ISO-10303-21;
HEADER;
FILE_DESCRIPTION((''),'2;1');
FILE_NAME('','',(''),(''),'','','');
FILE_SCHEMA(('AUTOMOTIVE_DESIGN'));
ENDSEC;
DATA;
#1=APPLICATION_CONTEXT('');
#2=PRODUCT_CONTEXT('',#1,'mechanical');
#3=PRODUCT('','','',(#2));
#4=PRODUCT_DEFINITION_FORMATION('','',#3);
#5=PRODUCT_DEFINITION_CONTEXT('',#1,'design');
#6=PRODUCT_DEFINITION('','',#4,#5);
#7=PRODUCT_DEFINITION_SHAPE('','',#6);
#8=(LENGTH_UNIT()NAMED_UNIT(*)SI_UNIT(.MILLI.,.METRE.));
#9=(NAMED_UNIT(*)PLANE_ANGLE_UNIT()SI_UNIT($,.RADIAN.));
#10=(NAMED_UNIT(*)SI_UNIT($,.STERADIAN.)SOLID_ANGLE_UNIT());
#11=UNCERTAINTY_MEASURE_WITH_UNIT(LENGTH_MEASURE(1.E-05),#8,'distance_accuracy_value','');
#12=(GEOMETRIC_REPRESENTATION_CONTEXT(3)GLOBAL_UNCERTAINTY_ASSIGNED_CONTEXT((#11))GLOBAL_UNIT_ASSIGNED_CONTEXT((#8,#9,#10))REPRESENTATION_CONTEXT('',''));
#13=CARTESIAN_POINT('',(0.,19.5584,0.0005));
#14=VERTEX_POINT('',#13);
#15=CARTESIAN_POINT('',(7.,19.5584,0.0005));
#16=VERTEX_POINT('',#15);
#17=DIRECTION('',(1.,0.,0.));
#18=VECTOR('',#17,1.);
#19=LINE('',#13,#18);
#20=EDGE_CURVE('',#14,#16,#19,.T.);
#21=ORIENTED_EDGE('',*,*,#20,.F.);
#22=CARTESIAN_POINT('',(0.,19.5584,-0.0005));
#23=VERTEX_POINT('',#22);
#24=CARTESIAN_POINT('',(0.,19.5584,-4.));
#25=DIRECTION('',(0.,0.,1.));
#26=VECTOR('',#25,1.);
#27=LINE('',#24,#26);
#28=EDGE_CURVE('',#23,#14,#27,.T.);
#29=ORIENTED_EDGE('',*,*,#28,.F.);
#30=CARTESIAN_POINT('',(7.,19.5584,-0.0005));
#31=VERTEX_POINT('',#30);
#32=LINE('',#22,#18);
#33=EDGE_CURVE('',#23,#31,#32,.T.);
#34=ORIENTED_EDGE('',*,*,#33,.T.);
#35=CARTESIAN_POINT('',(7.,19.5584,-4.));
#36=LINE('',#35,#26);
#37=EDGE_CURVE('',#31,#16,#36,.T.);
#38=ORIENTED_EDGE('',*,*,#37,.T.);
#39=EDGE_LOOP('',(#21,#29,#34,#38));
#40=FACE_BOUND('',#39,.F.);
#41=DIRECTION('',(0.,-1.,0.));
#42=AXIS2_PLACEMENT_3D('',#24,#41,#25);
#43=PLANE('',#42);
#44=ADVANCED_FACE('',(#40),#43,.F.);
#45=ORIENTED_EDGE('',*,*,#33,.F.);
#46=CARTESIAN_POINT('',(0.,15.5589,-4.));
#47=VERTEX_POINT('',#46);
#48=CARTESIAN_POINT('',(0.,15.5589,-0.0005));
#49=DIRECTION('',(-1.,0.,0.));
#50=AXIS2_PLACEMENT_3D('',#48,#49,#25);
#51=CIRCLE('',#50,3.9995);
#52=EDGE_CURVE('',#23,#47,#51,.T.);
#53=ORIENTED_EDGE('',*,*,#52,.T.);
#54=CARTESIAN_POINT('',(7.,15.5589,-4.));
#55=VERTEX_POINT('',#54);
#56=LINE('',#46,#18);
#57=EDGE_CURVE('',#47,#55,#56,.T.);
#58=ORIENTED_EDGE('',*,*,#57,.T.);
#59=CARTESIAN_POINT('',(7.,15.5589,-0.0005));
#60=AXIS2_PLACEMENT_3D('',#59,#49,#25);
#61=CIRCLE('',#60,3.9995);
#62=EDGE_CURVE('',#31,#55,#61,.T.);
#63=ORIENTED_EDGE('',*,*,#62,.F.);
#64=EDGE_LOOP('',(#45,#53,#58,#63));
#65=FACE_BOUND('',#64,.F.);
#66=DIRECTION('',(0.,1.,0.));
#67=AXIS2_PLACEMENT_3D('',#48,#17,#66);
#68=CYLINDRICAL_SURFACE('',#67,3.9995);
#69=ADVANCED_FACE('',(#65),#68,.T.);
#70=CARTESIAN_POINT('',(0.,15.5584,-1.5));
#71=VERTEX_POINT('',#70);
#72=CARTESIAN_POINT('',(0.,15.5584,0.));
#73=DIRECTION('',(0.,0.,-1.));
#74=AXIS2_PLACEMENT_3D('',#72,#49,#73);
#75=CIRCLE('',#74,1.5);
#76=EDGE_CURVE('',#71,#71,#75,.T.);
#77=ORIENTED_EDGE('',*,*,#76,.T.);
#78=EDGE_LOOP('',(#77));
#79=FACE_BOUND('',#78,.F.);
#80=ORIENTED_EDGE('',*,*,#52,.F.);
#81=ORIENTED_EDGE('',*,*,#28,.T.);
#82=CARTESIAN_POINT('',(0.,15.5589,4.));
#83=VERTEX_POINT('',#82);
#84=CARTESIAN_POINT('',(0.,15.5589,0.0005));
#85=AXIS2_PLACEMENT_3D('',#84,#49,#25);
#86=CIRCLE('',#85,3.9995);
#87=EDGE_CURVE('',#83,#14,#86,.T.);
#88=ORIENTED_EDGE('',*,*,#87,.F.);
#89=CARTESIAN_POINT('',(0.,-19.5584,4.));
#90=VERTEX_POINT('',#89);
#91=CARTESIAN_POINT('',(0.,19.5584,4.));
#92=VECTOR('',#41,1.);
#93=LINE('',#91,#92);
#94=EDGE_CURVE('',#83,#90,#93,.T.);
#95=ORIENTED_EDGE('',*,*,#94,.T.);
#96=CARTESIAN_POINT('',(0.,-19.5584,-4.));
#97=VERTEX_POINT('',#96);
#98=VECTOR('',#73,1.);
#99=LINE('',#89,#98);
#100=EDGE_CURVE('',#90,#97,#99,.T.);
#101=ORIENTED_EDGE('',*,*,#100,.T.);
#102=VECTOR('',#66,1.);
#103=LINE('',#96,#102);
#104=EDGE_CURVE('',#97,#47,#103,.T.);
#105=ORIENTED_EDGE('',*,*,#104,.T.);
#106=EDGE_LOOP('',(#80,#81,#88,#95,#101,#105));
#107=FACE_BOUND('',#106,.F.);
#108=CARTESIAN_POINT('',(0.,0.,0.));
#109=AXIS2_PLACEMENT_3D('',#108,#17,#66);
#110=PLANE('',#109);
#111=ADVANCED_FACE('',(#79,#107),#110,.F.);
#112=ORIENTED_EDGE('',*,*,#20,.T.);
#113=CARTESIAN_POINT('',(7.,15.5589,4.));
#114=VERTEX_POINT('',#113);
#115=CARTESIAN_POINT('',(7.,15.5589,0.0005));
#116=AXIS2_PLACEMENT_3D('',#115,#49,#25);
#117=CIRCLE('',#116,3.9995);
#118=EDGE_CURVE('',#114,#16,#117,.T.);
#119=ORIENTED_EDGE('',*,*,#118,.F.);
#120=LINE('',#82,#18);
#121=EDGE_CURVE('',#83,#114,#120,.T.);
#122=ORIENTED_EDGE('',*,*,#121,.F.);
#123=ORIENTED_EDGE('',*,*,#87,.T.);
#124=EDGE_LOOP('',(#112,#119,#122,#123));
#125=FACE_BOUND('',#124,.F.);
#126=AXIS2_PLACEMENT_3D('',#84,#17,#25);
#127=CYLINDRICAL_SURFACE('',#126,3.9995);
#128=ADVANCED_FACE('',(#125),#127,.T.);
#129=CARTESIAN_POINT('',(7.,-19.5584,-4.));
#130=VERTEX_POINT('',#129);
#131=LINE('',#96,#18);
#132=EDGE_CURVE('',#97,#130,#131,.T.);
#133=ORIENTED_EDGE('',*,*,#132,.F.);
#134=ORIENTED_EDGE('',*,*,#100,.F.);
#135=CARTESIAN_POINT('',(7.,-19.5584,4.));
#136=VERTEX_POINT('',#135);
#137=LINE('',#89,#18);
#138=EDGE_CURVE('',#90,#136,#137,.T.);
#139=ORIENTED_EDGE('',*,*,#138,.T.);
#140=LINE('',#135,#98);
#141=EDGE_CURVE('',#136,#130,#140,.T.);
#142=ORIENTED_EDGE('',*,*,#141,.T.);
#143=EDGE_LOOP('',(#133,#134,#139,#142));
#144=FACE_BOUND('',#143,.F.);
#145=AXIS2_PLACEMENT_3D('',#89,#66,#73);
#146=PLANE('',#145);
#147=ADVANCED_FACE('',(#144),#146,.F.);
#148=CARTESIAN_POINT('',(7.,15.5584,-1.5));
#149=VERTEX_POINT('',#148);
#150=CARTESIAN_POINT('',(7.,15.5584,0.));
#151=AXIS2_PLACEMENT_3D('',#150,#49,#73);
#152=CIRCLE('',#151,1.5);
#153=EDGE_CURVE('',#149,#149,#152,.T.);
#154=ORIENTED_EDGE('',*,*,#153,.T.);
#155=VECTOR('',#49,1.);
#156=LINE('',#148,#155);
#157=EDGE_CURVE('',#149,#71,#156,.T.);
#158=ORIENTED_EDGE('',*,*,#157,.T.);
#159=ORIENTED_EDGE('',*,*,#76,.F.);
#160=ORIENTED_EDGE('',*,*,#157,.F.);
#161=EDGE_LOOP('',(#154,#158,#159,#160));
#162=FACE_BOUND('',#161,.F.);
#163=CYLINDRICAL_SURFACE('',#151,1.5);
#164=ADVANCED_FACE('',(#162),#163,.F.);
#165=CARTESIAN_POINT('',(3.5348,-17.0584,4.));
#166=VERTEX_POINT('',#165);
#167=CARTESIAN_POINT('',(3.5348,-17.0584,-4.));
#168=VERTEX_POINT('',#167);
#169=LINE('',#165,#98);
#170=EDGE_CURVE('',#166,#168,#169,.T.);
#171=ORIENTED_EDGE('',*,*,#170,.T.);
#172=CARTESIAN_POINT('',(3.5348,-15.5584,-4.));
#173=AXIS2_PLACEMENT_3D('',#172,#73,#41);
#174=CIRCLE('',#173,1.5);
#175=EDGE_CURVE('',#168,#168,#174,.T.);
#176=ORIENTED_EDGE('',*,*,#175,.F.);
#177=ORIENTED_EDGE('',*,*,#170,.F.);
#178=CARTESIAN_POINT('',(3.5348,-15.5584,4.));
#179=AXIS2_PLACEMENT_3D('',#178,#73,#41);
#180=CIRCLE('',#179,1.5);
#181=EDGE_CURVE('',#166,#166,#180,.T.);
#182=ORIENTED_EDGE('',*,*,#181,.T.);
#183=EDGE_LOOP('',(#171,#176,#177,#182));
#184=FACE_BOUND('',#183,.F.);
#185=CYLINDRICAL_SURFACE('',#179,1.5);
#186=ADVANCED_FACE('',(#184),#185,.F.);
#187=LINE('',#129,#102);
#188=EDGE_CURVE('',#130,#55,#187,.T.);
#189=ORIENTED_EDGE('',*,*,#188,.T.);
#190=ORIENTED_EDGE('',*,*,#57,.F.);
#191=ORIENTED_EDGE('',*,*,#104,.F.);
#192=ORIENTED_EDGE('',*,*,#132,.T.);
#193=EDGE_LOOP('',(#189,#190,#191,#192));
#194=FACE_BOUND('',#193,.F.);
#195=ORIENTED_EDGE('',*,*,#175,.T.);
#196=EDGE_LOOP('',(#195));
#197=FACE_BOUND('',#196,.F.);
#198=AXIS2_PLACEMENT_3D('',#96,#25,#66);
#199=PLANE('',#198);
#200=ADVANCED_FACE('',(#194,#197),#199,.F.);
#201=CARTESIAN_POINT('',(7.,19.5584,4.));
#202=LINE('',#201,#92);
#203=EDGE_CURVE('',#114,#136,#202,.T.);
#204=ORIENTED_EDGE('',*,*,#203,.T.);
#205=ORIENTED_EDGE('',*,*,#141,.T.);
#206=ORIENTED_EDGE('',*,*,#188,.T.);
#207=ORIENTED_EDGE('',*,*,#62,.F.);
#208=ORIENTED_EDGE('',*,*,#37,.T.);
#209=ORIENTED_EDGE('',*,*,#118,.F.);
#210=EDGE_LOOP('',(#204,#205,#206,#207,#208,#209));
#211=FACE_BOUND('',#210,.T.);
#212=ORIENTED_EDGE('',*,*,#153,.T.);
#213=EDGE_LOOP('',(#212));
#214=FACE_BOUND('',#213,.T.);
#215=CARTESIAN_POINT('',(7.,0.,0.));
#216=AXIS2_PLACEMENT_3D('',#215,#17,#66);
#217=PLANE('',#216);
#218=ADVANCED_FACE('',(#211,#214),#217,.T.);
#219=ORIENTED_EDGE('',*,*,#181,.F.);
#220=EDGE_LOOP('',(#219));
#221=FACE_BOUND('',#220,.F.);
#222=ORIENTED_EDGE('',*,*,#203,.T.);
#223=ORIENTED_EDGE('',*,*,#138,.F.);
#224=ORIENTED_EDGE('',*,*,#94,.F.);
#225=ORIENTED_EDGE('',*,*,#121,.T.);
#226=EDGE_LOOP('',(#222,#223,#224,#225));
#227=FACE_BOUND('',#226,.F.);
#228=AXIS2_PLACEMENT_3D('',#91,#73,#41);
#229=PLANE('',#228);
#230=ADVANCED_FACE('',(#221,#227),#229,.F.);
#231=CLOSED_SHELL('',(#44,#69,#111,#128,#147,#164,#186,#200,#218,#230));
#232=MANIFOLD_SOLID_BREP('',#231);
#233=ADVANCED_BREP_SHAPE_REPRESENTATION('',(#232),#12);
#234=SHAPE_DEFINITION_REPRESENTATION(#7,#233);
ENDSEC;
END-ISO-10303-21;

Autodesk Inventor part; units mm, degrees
ref_plane "YZ Plane" through (0, 0, 0) normal (1, 0, 0) x (0, 1, 0)
ref_plane "XZ Plane" through (0, 0, 0) normal (0, 1, 0) x (-1, 0, 0)
ref_plane "XY Plane" through (0, 0, 0) normal (0, 0, 1) x (1, 0, 0)
sketch "Sketch1" plane through (0, 0, 0) normal (1, 0, 0) x (0, 1, 0)
  line L0 (-19.5584, -4) -> (19.5584, -4)
  line L1 (19.5584, -4) -> (19.5584, 4)
  line L2 (19.5584, 4) -> (-19.5584, 4)
  line L3 (-19.5584, 4) -> (-19.5584, -4)
  line L4 (-19.5584, -4) -> (19.5584, 4) construction
  line L5 (19.5584, -4) -> (-19.5584, 4) construction
  point P0 (0, 0)
  dimension "d0" = 8
extrude "Extrusion1" add sketch "Sketch1" along normal blind 7
sketch "Sketch2" plane through (7, 0, 0) normal (1, 0, 0) x (0, 0, -1)
  arc A0 (4, 15.5584) -> (-4, 15.5584) centre (0, 15.5584) ccw projected
  point P0 (0, 0)
fillet "Fillet2" radius 4 2 edges at (3.5, 19.5584, -4) (3.5, 19.5584, 4)
hole "Hole1" at (7, 15.5584, 0) direction (-1, 0, 0) diameter 3 end through all
sketch "Sketch3" plane through (0, -19.5584, 4) normal (0, 0, 1) x (1, 0, 0)
  line L0 (0, 0) -> (7, 0) projected
  point P0 (0, 19.5584)
  point P1 (3.5348, 4)
  dimension "d12" = 4
hole "Hole2" at (3.5348, -15.5584, 4) direction (0, 0, -1) diameter 3 end through all
properties part number "Puller"
